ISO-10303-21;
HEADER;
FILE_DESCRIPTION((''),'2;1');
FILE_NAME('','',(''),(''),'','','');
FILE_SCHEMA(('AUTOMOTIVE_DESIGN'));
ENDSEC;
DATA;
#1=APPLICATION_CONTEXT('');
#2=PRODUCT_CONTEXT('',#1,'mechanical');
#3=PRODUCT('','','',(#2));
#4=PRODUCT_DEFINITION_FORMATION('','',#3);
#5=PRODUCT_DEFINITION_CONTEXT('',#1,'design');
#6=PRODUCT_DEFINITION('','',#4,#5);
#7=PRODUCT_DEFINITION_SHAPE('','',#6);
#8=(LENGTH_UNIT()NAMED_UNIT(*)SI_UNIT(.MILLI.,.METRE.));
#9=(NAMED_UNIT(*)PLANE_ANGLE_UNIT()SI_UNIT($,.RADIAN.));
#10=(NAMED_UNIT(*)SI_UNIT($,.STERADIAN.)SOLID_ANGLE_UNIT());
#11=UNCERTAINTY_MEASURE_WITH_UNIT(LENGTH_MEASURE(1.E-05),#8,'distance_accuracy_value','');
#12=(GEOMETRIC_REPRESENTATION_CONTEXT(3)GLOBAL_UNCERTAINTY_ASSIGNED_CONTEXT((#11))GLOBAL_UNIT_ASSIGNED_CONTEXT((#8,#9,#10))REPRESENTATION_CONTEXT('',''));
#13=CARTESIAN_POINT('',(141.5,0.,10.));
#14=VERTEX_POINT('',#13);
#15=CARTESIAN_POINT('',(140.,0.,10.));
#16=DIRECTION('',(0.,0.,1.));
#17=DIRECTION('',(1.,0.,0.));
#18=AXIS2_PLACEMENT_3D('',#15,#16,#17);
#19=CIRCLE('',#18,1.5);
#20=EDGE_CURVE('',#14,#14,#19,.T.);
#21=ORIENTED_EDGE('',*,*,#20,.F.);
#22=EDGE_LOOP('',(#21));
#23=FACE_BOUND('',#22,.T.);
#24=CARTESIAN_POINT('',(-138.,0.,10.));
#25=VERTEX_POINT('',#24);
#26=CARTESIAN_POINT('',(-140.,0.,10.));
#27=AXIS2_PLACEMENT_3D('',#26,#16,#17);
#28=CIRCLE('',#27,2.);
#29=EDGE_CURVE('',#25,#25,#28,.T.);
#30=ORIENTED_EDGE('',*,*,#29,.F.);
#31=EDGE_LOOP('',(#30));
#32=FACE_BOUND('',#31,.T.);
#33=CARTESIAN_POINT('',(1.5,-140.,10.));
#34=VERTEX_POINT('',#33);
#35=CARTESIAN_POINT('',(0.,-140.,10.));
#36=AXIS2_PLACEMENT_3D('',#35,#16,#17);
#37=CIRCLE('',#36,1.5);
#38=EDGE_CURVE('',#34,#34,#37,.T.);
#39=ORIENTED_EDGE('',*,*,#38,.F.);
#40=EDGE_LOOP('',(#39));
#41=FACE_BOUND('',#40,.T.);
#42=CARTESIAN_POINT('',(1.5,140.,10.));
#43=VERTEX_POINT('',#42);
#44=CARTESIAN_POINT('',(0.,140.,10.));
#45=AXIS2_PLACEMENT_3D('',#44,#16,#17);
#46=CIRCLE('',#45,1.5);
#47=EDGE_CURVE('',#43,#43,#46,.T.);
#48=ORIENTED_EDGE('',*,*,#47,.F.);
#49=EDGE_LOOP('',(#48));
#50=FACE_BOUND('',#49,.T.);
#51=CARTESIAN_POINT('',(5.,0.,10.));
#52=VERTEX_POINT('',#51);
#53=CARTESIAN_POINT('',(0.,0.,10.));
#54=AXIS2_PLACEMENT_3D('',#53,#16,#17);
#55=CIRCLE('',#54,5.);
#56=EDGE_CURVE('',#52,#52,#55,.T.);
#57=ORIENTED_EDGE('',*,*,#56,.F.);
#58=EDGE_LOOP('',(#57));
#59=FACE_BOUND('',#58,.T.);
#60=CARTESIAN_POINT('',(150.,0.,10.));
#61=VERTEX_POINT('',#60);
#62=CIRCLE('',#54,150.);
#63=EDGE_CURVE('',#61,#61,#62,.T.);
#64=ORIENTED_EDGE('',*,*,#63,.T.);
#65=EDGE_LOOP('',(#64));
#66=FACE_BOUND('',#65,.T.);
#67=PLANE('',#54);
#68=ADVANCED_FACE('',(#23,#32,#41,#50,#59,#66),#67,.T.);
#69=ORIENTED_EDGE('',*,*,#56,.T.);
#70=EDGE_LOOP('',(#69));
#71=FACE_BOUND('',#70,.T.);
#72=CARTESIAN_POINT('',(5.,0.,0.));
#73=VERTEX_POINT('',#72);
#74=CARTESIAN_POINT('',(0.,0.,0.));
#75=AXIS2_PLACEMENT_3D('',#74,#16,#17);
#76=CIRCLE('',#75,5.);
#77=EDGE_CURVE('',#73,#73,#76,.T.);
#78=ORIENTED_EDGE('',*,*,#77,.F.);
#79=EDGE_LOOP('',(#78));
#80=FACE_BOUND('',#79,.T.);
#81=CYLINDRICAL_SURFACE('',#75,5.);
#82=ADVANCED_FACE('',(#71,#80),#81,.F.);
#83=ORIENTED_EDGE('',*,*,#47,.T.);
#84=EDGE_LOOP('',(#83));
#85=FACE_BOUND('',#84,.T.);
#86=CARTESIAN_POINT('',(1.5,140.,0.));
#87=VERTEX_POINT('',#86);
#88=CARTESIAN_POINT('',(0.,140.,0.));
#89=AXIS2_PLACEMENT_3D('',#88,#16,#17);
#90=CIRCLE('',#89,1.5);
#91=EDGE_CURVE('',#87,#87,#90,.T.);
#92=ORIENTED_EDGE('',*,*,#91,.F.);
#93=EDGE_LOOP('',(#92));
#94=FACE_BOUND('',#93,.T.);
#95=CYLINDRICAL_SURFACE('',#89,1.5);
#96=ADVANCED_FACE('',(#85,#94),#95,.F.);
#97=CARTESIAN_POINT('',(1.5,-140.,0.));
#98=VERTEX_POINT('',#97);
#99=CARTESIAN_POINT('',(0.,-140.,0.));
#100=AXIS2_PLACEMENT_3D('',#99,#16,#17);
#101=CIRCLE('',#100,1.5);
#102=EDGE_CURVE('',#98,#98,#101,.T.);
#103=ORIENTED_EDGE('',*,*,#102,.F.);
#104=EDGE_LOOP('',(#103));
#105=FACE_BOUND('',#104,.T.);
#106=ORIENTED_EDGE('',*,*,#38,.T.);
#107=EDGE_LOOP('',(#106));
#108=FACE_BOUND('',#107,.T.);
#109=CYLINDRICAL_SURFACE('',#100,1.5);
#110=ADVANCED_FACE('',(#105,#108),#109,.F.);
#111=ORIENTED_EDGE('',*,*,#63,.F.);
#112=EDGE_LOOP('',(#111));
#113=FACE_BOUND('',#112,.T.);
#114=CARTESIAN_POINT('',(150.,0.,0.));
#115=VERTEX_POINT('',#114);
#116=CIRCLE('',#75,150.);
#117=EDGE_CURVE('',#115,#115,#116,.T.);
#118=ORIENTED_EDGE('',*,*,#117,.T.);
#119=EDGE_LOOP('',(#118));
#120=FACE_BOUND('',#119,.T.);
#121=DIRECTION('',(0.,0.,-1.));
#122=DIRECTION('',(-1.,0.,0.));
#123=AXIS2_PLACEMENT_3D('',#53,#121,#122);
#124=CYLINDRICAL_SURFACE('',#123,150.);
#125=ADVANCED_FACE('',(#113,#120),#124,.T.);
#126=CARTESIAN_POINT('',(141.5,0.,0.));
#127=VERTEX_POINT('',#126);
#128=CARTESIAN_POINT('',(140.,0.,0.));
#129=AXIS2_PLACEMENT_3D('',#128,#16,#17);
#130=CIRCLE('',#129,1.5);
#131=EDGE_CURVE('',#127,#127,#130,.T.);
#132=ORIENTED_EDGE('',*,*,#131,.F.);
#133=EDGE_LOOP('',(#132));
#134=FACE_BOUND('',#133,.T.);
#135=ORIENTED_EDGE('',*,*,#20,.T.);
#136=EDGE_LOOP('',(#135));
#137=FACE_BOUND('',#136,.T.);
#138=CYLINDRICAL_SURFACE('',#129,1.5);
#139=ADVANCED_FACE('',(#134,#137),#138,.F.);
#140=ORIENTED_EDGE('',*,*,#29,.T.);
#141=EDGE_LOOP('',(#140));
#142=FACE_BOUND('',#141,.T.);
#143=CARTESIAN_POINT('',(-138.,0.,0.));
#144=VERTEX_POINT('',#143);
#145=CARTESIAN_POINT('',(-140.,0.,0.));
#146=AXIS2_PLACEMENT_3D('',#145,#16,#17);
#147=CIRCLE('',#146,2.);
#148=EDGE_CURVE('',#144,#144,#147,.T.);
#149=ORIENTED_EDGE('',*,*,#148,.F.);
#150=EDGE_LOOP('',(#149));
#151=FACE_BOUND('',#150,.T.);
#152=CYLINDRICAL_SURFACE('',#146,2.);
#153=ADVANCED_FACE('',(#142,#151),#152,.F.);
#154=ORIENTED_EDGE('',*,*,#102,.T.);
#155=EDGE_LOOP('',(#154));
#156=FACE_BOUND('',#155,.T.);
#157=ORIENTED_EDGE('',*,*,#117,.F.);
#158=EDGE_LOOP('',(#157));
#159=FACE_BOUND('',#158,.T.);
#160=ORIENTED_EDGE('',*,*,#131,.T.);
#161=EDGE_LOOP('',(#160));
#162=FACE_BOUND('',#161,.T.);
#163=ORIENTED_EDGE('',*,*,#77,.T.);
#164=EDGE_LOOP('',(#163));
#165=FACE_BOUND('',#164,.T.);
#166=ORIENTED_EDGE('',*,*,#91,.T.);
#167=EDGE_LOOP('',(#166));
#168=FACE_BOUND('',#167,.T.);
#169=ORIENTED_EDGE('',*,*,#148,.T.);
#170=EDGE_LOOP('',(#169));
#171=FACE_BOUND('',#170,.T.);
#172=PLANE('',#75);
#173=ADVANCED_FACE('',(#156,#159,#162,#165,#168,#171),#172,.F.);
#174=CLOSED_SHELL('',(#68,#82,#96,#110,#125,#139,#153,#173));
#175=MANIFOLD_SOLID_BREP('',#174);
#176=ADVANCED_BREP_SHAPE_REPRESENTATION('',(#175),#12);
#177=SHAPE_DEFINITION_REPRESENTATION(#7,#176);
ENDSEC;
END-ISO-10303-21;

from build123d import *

# Parameters (mm, degrees)
SKETCH1_R           = 150
BOSS_EXTRUDE1_DEPTH = 10
SKETCH3_R           = 1.5
CUT_EXTRUDE1_DEPTH  = 10
SKETCH5_R           = 1.5
SKETCH5_R_2         = 2
CUT_EXTRUDE2_DEPTH  = 10
SKETCH6_R           = 5
CUT_EXTRUDE8_DEPTH  = 10


with BuildPart() as part:
    # Sketch1 → Boss-Extrude1 (new body)
    with BuildSketch(Plane.XY):
        Circle(SKETCH1_R)
    extrude(amount=BOSS_EXTRUDE1_DEPTH)

    # Sketch3 → Cut-Extrude1 (cut)
    with BuildSketch(Plane.XY.offset(10)):
        with Locations((0, 140)):
            Circle(SKETCH3_R)
    extrude(amount=-CUT_EXTRUDE1_DEPTH, mode=Mode.SUBTRACT)

    # Sketch5 → Cut-Extrude2 (cut)
    with BuildSketch(Plane.XY.offset(10)):
        with Locations((0, -140)):
            Circle(SKETCH5_R)
        with Locations((-140, 0)):
            Circle(SKETCH5_R_2)
        with Locations((140, 0)):
            Circle(SKETCH5_R)
    extrude(amount=-CUT_EXTRUDE2_DEPTH, mode=Mode.SUBTRACT)

    # Sketch6 → Cut-Extrude8 (cut)
    with BuildSketch(Plane.XY.offset(10)):
        Circle(SKETCH6_R)
    extrude(amount=-CUT_EXTRUDE8_DEPTH, mode=Mode.SUBTRACT)


solid = part.part
